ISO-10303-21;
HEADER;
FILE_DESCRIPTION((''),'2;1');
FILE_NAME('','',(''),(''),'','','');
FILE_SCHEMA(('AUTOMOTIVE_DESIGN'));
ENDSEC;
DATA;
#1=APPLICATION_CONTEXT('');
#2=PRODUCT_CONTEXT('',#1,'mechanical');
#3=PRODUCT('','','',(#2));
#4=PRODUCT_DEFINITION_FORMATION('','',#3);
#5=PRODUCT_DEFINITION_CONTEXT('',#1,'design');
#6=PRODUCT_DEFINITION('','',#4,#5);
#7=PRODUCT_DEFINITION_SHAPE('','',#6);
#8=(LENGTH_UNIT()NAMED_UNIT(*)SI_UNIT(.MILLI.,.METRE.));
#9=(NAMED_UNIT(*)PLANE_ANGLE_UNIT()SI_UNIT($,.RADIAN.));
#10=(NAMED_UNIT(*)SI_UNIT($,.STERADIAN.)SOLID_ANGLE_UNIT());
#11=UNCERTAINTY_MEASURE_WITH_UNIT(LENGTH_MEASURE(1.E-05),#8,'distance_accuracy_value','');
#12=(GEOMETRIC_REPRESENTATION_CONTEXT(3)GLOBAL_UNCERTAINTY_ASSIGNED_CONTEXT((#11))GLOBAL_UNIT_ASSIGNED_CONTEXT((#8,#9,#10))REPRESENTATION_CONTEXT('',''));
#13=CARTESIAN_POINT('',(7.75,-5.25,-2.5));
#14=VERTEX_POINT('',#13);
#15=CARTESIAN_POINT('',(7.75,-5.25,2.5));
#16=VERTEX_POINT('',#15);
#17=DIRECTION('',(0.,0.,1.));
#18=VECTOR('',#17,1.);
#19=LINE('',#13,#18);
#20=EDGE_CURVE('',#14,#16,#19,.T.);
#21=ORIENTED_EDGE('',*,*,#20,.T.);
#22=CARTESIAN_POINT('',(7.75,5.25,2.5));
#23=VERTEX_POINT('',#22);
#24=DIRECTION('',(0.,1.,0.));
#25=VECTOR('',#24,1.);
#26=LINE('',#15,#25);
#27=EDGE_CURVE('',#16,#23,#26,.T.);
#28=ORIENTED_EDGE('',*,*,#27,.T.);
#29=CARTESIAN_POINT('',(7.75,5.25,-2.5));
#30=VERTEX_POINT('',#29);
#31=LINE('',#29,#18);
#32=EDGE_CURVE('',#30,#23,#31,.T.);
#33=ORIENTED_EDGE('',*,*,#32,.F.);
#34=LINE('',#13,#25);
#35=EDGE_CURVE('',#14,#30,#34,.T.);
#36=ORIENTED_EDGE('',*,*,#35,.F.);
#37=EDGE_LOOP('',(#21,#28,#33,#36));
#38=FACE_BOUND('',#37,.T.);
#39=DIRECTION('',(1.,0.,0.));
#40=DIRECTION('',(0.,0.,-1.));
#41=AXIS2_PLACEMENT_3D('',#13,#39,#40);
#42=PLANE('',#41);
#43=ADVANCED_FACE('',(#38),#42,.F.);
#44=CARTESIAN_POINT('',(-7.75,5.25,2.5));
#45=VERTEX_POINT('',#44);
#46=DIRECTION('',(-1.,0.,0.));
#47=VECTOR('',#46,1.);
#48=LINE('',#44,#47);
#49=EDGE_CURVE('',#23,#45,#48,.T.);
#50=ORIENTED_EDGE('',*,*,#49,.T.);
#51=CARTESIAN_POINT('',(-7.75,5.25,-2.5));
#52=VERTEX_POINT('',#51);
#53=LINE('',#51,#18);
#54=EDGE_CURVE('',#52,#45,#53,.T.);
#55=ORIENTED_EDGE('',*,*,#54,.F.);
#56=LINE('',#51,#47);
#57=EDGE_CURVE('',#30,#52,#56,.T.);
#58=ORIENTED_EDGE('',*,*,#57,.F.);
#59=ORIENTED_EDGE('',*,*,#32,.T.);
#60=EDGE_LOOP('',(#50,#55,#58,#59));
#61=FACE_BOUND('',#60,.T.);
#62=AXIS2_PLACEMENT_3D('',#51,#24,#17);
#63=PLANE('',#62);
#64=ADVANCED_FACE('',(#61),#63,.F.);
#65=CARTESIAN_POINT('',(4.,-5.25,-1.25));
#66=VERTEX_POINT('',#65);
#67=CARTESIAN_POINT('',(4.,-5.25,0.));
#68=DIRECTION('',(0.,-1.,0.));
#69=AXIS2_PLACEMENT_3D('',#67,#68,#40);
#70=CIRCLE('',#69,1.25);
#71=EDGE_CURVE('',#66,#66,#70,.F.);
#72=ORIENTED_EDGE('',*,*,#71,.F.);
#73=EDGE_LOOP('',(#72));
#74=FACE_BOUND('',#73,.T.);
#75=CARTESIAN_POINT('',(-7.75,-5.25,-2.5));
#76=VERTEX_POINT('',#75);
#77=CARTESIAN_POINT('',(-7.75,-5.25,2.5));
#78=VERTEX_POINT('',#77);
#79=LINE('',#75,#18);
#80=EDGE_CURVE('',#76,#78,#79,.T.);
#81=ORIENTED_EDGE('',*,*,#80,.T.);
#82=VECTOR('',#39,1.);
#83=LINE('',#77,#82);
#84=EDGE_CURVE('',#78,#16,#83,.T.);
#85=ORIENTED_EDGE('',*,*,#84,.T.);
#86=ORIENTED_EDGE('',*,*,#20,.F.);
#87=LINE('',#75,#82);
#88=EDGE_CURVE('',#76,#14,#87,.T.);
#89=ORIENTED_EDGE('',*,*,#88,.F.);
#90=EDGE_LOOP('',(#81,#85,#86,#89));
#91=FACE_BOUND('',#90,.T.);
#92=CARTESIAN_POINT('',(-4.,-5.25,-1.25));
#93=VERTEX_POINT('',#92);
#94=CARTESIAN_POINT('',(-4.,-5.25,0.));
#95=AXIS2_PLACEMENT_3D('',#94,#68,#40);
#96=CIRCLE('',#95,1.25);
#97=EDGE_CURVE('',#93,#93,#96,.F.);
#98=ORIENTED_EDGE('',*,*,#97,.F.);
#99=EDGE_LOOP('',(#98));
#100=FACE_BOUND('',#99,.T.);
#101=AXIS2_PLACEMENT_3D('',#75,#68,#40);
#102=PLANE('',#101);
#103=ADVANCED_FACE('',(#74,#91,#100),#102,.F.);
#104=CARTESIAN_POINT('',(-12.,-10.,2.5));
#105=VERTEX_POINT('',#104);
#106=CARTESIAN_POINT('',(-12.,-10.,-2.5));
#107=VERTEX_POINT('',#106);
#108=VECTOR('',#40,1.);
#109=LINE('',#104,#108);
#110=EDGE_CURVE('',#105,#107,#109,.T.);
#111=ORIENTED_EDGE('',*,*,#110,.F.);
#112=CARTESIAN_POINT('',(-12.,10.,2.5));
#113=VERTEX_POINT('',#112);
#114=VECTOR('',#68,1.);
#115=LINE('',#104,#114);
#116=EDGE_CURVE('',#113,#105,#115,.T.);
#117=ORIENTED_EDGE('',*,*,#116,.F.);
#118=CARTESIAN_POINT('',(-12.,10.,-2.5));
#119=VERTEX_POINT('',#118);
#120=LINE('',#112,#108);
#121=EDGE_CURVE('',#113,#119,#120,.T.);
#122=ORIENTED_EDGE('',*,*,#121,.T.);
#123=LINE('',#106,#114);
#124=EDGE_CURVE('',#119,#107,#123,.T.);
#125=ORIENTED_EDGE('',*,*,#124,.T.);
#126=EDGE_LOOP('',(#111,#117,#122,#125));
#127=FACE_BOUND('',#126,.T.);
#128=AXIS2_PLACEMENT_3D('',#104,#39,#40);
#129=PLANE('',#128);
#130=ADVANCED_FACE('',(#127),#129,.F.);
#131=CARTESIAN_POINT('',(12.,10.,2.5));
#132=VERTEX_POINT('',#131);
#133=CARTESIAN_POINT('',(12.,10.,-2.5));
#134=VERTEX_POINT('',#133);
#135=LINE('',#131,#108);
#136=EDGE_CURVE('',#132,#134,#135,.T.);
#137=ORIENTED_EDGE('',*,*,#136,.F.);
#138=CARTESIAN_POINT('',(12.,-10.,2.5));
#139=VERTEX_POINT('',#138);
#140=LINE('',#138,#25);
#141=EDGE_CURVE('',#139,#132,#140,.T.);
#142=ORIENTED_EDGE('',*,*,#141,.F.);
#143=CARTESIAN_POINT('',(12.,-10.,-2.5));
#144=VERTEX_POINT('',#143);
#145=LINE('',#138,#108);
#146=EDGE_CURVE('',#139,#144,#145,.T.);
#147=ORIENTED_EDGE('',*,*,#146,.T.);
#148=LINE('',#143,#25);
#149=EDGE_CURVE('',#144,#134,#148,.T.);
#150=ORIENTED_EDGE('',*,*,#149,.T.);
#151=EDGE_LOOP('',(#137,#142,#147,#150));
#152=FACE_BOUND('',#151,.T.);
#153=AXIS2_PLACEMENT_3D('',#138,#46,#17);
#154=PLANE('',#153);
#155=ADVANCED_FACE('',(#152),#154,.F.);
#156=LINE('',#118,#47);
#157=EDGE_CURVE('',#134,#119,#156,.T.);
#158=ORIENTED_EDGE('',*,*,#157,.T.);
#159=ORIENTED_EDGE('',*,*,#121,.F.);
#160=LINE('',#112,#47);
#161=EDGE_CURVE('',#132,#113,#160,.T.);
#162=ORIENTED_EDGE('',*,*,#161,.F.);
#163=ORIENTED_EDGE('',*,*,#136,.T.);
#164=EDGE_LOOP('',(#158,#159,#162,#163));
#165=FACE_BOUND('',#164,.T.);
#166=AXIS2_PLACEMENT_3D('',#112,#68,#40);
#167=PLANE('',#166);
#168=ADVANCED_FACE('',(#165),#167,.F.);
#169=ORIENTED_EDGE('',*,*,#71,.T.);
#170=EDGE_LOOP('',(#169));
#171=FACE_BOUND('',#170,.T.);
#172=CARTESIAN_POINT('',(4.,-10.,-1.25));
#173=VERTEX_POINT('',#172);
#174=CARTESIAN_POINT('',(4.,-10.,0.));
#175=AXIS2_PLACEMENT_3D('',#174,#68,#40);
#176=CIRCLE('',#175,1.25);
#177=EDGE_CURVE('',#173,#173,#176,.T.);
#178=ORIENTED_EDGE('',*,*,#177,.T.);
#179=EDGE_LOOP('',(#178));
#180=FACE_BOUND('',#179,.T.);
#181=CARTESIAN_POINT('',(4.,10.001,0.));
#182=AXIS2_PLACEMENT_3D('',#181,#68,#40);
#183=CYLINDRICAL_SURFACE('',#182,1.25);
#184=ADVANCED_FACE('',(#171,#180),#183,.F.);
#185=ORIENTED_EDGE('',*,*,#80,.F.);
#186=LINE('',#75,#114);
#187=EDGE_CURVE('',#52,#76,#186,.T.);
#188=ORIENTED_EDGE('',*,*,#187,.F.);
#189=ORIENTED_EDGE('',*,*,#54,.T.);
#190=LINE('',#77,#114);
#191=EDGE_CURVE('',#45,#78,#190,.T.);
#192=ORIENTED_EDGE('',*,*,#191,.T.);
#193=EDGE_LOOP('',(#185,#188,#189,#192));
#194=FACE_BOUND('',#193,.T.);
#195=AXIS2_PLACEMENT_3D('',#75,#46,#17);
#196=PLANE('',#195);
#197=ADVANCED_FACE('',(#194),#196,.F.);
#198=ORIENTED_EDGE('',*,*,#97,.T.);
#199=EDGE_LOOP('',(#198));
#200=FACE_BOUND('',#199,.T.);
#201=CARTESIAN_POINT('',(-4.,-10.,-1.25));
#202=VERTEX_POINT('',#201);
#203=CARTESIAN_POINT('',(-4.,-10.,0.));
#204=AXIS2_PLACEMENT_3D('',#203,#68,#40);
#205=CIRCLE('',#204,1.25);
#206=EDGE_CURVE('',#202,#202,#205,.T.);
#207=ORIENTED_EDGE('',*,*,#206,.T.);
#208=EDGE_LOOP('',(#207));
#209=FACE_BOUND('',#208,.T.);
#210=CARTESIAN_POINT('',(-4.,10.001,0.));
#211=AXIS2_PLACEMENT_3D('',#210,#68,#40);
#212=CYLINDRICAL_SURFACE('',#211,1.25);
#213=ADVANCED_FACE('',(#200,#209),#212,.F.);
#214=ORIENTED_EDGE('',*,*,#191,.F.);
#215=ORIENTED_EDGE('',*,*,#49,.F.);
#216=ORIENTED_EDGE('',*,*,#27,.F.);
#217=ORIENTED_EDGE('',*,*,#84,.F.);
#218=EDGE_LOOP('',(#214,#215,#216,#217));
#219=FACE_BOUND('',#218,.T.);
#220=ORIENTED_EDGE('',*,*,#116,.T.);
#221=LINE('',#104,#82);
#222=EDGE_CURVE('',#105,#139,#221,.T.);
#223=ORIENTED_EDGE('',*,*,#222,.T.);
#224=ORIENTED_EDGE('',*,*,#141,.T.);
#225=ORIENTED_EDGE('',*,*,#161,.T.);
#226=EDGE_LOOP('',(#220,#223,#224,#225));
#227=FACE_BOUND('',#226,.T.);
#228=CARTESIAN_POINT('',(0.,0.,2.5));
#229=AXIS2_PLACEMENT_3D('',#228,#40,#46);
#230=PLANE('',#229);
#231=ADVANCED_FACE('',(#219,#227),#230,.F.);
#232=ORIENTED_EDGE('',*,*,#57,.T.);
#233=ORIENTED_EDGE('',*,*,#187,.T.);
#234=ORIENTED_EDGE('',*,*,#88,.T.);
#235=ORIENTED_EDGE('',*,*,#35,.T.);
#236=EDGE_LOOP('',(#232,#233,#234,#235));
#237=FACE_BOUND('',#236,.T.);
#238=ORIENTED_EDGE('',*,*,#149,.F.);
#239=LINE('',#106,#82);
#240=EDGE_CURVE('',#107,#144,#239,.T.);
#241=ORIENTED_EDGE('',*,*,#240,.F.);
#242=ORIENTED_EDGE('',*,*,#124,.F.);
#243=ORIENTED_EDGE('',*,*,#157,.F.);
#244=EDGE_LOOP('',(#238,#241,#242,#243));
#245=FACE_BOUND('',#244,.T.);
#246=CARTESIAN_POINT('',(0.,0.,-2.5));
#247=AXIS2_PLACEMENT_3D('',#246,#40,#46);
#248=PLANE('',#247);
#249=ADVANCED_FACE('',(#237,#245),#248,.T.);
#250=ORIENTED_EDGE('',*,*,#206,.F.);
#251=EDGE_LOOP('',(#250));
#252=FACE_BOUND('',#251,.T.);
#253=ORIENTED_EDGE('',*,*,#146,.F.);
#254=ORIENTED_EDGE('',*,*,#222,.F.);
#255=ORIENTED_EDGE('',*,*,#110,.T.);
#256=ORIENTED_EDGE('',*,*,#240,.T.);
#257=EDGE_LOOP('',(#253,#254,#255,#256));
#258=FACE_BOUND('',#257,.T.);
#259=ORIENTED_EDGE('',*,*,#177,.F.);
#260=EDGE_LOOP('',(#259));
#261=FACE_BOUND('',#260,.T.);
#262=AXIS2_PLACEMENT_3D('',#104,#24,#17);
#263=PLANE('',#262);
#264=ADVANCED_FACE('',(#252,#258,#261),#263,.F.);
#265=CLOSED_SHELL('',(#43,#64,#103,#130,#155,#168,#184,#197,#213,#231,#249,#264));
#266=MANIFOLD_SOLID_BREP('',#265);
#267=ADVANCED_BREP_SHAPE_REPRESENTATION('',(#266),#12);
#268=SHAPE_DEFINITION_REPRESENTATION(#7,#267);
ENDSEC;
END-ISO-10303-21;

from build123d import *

# Parameters (mm, degrees)
SKETCH_1_W          = 24
SKETCH_1_H          = 20
EXTRUDE_1_DEPTH     = 2.5
SKETCH_2_W          = 15.5
SKETCH_2_H          = 10.5
CUT_EXTRUDE_1_DEPTH = 6
CUT_EXTRUDE_2_REACH = 22
SKETCH_4_R          = 1.25


with BuildPart() as part:
    # 草圖1 → 填料-伸長1 (new body, symmetric)
    with BuildSketch(Plane.XY):
        Rectangle(SKETCH_1_W, SKETCH_1_H)
    extrude(amount=EXTRUDE_1_DEPTH, both=True)

    # 草圖2 → 除料-伸長1 (cut, through all)
    with BuildSketch(Plane.XY.offset(2.5)):
        Rectangle(SKETCH_2_W, SKETCH_2_H)
    extrude(amount=-CUT_EXTRUDE_1_DEPTH, mode=Mode.SUBTRACT)

    # 草圖4 → 除料-伸長2 (cut, up to next)
    with BuildSketch(Plane.XZ.offset(10), mode=Mode.PRIVATE) as cut_extrude_2_sk1:
        with Locations((-4, 0)):
            Circle(SKETCH_4_R)
    cut_extrude_2_tool1 = extrude(cut_extrude_2_sk1.sketch, amount=-CUT_EXTRUDE_2_REACH, mode=Mode.PRIVATE) & part.part
    add(cut_extrude_2_tool1.solids().sort_by_distance((-4, -10, 0))[0], mode=Mode.SUBTRACT)
    # 草圖4 → 除料-伸長2 (cut, up to next)
    with BuildSketch(Plane.XZ.offset(10), mode=Mode.PRIVATE) as cut_extrude_2_sk2:
        with Locations((4, 0)):
            Circle(SKETCH_4_R)
    cut_extrude_2_tool2 = extrude(cut_extrude_2_sk2.sketch, amount=-CUT_EXTRUDE_2_REACH, mode=Mode.PRIVATE) & part.part
    add(cut_extrude_2_tool2.solids().sort_by_distance((4, -10, 0))[0], mode=Mode.SUBTRACT)


solid = part.part
